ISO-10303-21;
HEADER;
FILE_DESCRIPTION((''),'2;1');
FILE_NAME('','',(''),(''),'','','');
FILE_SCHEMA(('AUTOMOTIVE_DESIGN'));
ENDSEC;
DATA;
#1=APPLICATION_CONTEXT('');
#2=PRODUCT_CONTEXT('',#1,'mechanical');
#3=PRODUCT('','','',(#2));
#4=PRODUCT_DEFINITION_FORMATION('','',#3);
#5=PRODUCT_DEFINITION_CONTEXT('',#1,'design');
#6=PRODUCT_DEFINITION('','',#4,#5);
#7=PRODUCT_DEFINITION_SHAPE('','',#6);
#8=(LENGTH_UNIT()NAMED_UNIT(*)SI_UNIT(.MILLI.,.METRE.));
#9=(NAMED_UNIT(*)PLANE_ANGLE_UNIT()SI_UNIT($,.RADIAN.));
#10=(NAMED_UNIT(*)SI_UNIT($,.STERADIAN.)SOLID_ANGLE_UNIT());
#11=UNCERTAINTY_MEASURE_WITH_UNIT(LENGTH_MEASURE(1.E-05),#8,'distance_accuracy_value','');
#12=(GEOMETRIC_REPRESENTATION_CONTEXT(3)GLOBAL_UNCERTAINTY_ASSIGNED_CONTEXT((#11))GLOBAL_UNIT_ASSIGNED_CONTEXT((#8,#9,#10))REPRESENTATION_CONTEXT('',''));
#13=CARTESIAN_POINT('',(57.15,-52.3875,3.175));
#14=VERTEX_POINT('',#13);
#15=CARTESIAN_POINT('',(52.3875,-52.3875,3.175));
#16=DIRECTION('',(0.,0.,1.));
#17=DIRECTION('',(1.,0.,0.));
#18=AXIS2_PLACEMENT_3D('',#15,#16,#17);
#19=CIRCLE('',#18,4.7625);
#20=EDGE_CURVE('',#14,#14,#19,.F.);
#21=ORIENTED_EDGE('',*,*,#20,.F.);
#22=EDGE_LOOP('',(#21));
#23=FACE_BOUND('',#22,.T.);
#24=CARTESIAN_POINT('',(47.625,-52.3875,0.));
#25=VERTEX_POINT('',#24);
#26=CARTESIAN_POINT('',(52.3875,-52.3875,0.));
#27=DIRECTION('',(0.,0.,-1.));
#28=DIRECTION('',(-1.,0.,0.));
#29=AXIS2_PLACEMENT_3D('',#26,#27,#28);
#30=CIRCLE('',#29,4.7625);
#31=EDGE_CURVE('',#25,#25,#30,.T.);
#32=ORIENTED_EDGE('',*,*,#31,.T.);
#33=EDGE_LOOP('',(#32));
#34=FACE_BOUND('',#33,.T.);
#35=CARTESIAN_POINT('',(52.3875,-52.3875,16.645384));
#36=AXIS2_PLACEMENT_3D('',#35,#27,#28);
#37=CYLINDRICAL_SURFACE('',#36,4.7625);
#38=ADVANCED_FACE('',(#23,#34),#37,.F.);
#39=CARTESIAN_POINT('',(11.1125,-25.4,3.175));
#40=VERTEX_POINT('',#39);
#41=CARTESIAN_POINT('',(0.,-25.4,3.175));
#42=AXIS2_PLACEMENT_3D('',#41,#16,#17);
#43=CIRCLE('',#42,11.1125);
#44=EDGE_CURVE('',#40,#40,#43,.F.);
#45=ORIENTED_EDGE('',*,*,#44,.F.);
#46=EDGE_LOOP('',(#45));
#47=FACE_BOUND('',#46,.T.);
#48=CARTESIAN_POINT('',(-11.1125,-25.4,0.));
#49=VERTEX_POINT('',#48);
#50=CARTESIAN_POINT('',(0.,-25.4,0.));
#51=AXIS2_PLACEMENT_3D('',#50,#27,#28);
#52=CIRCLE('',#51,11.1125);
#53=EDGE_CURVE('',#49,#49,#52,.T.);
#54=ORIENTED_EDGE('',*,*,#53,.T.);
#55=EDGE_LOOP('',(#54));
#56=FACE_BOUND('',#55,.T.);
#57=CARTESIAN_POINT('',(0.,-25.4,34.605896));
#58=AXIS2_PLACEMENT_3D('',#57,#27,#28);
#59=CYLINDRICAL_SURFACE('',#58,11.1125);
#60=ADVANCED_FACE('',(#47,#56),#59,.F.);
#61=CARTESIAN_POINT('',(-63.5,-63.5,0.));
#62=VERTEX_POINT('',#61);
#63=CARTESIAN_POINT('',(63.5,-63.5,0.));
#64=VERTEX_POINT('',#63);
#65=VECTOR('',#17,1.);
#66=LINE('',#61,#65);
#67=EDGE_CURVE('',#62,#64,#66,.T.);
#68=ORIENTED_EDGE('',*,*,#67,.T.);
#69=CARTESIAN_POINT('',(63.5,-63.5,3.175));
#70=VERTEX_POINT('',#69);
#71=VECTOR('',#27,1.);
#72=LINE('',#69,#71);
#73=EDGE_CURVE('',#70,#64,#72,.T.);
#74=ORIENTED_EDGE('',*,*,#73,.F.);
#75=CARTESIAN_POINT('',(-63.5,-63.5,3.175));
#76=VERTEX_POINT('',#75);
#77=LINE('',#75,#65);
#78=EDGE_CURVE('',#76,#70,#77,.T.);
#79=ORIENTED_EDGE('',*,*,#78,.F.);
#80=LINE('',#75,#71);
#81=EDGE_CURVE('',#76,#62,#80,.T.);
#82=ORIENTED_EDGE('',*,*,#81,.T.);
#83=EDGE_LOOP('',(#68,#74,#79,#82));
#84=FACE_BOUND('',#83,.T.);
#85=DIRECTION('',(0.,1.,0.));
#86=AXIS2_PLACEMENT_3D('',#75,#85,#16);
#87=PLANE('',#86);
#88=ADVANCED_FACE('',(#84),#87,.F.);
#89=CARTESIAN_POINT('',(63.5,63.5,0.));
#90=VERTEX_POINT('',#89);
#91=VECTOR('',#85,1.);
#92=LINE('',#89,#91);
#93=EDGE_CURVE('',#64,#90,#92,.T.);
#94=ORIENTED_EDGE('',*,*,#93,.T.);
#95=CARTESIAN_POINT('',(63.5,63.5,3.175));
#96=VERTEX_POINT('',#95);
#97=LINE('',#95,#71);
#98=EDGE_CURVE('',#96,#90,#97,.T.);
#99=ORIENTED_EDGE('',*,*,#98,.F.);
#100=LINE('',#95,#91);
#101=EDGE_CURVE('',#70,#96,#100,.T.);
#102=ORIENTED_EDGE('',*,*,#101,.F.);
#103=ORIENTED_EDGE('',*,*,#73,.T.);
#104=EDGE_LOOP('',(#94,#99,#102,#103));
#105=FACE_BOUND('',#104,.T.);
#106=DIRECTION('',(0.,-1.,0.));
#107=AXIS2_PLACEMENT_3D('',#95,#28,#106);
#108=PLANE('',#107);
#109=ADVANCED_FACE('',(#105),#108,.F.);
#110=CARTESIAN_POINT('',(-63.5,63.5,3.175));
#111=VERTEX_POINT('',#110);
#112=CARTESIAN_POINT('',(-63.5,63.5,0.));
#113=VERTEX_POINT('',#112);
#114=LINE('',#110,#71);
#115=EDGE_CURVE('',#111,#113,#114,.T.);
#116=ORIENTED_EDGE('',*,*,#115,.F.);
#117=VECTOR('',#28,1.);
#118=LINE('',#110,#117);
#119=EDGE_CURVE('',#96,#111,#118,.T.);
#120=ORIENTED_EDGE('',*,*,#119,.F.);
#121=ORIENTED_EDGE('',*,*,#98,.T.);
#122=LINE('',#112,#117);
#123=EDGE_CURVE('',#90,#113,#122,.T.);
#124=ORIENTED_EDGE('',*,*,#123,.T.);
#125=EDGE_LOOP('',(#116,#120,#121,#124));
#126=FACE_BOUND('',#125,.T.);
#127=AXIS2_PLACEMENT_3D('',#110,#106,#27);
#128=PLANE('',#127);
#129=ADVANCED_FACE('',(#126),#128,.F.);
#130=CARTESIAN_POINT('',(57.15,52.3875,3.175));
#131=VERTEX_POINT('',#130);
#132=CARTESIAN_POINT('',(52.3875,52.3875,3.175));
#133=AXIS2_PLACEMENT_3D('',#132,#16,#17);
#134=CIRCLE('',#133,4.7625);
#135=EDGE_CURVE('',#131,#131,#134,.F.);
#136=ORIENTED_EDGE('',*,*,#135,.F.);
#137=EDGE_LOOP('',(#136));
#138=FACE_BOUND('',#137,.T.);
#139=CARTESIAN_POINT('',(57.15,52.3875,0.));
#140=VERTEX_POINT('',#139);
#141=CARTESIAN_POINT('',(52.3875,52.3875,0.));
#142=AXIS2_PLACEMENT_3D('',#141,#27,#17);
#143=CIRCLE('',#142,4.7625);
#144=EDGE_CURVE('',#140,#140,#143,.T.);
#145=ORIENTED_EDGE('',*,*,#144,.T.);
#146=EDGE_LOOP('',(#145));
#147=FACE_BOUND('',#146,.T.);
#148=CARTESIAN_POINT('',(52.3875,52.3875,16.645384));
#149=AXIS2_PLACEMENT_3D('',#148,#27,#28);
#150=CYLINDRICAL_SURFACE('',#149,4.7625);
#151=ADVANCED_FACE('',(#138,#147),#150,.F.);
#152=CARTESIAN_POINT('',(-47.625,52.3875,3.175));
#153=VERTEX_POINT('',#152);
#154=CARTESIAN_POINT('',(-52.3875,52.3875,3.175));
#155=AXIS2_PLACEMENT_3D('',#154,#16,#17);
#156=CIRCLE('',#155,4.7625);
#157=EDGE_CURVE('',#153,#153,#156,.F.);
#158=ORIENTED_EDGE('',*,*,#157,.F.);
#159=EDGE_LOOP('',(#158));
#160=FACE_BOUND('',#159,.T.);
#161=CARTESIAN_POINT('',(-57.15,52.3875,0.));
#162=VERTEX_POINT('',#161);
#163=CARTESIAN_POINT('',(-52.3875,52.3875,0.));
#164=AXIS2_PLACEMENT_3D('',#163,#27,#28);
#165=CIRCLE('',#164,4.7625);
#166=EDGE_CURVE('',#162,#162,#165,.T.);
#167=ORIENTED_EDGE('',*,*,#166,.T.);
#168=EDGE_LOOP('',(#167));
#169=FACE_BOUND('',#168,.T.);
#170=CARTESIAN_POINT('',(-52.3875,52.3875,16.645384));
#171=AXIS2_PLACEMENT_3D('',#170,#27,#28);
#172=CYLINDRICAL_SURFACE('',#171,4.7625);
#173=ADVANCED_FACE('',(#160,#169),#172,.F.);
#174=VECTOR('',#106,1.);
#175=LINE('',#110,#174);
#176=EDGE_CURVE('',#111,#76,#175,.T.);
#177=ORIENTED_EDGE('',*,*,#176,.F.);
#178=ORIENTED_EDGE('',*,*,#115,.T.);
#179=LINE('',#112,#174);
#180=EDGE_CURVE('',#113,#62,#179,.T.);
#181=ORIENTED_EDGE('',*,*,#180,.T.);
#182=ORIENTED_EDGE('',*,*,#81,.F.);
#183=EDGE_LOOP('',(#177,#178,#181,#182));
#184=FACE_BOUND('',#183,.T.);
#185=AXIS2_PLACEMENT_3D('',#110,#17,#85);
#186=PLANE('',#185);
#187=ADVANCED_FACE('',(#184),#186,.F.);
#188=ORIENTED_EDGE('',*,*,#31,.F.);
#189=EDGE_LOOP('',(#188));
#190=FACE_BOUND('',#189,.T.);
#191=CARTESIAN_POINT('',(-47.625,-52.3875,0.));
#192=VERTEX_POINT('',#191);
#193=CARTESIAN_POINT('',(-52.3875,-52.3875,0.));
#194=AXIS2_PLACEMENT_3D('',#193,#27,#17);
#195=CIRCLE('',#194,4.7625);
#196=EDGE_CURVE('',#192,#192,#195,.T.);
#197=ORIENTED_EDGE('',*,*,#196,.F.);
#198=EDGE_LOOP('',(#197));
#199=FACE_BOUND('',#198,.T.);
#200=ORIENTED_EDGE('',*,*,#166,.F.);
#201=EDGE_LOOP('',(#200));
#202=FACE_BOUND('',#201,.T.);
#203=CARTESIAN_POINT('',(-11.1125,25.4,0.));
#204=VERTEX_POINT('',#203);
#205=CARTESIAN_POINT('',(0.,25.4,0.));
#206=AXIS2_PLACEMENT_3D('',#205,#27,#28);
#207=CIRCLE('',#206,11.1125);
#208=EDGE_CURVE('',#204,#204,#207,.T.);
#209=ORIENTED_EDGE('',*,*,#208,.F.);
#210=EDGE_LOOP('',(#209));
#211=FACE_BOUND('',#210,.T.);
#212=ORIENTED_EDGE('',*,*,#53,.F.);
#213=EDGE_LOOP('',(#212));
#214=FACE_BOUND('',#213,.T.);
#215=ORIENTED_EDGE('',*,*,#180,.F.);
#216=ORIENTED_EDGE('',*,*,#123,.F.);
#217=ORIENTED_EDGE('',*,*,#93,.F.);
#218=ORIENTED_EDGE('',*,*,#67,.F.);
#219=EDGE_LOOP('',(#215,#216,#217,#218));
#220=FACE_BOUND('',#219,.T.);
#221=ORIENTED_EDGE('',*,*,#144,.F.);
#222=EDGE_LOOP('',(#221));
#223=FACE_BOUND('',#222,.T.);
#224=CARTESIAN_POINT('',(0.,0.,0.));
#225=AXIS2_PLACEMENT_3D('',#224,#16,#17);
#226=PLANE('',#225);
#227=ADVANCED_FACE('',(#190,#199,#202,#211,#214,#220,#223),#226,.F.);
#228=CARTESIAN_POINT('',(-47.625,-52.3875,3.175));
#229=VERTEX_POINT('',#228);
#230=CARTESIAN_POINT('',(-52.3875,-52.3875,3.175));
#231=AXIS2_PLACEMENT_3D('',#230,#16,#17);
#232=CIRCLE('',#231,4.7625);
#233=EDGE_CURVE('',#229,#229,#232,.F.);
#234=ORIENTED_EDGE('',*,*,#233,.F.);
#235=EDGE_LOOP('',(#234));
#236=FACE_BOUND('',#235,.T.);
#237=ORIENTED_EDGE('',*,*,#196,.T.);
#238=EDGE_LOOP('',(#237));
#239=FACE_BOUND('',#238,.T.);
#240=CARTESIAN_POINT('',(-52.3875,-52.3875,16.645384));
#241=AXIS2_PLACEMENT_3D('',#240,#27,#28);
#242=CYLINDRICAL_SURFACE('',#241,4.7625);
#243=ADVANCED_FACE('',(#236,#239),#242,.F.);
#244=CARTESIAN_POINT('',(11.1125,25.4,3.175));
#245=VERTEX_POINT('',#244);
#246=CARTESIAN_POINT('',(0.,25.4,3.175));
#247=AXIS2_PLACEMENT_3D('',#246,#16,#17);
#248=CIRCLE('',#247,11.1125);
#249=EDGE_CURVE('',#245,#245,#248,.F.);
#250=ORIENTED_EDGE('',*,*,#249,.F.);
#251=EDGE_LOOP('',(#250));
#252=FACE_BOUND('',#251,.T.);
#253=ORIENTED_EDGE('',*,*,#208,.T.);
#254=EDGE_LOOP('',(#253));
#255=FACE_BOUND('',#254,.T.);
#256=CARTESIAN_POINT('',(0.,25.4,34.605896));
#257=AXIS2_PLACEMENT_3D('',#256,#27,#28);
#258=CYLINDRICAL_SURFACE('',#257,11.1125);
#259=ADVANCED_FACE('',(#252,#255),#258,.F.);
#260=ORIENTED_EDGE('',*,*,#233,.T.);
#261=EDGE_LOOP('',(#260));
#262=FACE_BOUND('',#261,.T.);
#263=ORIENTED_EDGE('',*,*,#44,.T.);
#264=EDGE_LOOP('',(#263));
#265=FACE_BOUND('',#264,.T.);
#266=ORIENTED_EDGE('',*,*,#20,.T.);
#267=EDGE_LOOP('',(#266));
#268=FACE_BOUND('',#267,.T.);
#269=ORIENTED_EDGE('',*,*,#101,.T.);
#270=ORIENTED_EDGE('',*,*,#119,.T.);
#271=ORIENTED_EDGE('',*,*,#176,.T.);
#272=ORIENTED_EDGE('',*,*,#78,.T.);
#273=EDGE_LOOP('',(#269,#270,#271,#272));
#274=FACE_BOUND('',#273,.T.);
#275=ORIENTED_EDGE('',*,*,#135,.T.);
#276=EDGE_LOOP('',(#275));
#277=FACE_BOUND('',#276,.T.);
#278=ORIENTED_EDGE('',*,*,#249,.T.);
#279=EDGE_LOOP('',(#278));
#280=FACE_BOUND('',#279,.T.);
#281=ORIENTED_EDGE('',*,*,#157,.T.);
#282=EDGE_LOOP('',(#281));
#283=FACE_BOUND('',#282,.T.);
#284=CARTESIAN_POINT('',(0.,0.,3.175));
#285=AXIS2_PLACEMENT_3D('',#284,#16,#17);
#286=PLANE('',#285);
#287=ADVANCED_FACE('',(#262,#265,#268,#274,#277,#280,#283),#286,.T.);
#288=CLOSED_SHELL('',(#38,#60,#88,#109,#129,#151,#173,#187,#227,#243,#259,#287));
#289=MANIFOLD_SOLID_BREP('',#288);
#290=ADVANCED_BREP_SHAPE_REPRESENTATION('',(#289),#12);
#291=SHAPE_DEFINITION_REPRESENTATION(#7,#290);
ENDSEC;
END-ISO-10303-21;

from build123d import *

# Parameters (mm, degrees)
SKETCH1_W           = 127
SKETCH1_H           = 127
BOSS_EXTRUDE1_DEPTH = 3.175
SKETCH2_R           = 11.1125
CUT_EXTRUDE1_DEPTH  = 3.175
SKETCH4_R           = 4.7625
CUT_EXTRUDE3_DEPTH  = 3.175


with BuildPart() as part:
    # Sketch1 → Boss-Extrude1 (new body)
    with BuildSketch(Plane.XY):
        Rectangle(SKETCH1_W, SKETCH1_H)
    extrude(amount=BOSS_EXTRUDE1_DEPTH)

    # Sketch2 → Cut-Extrude1 (cut)
    with BuildSketch(Plane(origin=(0, 0, 0), x_dir=(-1, 0, 0), z_dir=(0, 0, -1))):
        with Locations((0, 25.4)):
            Circle(SKETCH2_R)
        with Locations((0, -25.4)):
            Circle(SKETCH2_R)
    extrude(amount=-CUT_EXTRUDE1_DEPTH, mode=Mode.SUBTRACT)

    # Sketch4 → Cut-Extrude3 (cut)
    with BuildSketch(Plane(origin=(0, 0, 0), x_dir=(-1, 0, 0), z_dir=(0, 0, -1))):
        with Locations((52.3875, 52.3875)):
            Circle(SKETCH4_R)
        with Locations(Location((52.3875, -52.3875, 0), (0, 0, 180))):
            Circle(SKETCH4_R)
        with Locations(Location((-52.3875, 52.3875, 0), (0, 0, 180))):
            Circle(SKETCH4_R)
        with Locations((-52.3875, -52.3875)):
            Circle(SKETCH4_R)
    extrude(amount=-CUT_EXTRUDE3_DEPTH, mode=Mode.SUBTRACT)


solid = part.part
